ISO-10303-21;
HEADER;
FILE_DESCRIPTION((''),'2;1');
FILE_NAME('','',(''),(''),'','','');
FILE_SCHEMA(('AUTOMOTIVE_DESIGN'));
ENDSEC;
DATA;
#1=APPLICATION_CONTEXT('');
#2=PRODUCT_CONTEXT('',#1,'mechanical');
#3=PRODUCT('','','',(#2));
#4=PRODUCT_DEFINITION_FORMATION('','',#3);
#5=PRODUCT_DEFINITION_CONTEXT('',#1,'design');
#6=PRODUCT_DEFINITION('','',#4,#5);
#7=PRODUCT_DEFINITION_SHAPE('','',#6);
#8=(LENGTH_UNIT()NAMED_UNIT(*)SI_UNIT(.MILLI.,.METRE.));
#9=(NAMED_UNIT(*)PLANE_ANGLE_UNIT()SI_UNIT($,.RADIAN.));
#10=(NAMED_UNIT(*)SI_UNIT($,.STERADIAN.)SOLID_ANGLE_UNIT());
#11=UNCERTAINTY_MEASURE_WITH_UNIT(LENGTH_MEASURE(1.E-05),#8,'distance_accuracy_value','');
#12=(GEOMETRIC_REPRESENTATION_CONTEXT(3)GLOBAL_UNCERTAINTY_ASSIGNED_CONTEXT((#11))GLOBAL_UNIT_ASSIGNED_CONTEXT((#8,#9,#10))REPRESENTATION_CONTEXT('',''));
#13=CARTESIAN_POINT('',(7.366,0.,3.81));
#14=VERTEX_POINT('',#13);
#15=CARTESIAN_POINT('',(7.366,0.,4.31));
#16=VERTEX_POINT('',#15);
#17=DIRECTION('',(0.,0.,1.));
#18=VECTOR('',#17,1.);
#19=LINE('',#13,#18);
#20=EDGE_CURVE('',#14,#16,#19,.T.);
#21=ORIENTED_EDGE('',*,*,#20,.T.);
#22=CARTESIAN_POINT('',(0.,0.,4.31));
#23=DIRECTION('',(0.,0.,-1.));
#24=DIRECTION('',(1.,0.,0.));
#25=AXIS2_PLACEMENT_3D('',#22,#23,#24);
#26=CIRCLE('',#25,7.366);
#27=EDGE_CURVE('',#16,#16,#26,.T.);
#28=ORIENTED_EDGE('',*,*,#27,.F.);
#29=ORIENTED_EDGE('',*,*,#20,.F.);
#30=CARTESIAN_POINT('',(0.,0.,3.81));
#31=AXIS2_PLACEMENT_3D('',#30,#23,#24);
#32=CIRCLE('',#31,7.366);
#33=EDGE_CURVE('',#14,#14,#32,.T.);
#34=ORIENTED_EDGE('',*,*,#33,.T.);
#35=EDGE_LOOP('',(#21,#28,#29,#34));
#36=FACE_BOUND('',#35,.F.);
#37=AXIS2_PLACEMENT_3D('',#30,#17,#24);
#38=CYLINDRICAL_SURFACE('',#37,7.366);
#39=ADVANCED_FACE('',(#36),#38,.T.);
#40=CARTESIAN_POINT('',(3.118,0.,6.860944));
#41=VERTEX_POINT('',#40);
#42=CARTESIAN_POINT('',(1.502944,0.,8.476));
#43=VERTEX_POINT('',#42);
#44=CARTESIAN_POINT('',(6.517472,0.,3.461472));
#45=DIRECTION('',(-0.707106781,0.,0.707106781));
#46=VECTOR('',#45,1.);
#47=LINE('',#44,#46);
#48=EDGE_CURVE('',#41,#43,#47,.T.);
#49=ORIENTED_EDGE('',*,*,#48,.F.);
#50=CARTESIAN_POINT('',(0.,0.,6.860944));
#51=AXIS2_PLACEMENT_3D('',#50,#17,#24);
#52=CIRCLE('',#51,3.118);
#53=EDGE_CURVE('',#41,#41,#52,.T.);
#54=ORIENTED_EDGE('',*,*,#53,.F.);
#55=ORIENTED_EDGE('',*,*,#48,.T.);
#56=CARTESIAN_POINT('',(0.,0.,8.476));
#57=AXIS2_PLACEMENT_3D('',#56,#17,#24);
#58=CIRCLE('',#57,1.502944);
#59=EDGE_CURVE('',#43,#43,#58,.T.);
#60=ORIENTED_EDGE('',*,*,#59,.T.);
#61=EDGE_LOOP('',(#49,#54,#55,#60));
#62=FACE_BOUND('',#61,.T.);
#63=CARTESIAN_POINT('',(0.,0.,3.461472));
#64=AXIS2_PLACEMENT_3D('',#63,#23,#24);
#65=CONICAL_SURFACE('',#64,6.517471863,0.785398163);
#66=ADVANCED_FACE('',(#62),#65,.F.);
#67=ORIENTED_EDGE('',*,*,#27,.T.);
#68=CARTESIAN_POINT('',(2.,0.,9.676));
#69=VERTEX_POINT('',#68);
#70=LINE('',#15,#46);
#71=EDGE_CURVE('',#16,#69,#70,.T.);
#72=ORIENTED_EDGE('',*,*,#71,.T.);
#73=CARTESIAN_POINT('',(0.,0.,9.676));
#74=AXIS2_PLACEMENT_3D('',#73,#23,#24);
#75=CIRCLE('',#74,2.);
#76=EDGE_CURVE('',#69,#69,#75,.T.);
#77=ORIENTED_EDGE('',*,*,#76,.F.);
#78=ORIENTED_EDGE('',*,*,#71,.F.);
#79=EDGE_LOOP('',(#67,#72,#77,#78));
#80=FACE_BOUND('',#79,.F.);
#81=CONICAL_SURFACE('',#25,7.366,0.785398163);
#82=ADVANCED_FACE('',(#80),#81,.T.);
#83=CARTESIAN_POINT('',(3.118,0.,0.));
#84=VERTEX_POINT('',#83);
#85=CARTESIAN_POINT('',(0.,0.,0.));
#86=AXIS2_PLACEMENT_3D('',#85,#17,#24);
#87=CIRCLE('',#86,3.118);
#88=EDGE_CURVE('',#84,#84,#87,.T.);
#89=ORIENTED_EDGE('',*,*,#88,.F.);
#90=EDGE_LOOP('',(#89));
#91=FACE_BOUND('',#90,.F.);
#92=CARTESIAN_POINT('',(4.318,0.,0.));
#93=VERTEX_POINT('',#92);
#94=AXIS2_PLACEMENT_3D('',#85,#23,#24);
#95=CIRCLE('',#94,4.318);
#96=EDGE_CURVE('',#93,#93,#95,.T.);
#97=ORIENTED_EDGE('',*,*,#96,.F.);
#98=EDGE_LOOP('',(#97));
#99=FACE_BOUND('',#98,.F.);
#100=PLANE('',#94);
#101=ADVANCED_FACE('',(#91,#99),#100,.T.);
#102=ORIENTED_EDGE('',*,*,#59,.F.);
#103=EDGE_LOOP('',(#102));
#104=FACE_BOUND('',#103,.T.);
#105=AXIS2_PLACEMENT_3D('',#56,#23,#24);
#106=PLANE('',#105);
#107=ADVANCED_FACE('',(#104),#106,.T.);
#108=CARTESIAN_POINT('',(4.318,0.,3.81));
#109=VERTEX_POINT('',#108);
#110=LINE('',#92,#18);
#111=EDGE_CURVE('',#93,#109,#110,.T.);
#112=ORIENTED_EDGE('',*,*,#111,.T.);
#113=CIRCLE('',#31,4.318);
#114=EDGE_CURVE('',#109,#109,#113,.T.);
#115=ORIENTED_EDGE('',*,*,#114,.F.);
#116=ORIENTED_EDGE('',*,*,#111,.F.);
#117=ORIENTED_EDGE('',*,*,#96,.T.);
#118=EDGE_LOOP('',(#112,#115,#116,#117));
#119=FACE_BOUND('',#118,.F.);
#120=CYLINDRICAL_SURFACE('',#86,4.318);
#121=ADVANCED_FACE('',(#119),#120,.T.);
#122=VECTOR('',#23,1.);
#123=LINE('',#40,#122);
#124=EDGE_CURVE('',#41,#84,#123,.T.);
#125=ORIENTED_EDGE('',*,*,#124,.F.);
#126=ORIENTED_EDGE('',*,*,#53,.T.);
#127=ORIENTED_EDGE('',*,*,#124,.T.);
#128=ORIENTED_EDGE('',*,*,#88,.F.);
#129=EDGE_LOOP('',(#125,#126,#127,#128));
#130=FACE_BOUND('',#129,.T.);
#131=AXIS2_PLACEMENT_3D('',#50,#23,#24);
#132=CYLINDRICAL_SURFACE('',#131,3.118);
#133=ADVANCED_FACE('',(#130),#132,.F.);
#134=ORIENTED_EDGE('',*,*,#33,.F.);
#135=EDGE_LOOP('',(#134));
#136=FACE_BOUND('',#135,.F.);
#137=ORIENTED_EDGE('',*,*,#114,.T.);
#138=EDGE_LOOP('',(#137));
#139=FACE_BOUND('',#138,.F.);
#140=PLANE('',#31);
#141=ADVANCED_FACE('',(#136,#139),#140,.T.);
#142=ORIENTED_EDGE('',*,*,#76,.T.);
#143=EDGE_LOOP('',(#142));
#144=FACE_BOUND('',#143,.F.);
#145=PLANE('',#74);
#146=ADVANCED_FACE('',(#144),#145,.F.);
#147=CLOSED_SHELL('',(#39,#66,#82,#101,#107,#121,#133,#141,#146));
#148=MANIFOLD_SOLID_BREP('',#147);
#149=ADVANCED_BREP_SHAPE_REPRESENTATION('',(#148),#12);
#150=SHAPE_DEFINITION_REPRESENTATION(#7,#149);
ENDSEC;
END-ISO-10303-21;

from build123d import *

# Parameters (mm, degrees)
F2_T = -1.2


with BuildPart() as f1:
    # F0 (on Front) → F1 (revolve)
    with BuildSketch(Plane.XZ):
        Polygon((0, 9.676), (0, 0), (4.318, 0), (4.318, 3.81), (7.366, 3.81), (7.366, 4.31), (2, 9.676), align=None)
    revolve(axis=Axis((0, 0, 4.838), (0, 0, -1)))

    # F2
    f2_openings = [f1.faces().sort_by_distance(p)[0] for p in [
        (0, 0, 0),
    ]]
    offset(amount=F2_T, openings=f2_openings, kind=Kind.INTERSECTION)

    # F3 (on Front) → F4 (revolve)
    with BuildSketch(Plane.XZ):
        Polygon((4.9689437252, 5.01), (3.118, 6.8609437252), (3.118, 5.01), align=None)
    revolve(axis=Axis((0, 0, 0), (0, 0, 1)))


solid = f1.part
